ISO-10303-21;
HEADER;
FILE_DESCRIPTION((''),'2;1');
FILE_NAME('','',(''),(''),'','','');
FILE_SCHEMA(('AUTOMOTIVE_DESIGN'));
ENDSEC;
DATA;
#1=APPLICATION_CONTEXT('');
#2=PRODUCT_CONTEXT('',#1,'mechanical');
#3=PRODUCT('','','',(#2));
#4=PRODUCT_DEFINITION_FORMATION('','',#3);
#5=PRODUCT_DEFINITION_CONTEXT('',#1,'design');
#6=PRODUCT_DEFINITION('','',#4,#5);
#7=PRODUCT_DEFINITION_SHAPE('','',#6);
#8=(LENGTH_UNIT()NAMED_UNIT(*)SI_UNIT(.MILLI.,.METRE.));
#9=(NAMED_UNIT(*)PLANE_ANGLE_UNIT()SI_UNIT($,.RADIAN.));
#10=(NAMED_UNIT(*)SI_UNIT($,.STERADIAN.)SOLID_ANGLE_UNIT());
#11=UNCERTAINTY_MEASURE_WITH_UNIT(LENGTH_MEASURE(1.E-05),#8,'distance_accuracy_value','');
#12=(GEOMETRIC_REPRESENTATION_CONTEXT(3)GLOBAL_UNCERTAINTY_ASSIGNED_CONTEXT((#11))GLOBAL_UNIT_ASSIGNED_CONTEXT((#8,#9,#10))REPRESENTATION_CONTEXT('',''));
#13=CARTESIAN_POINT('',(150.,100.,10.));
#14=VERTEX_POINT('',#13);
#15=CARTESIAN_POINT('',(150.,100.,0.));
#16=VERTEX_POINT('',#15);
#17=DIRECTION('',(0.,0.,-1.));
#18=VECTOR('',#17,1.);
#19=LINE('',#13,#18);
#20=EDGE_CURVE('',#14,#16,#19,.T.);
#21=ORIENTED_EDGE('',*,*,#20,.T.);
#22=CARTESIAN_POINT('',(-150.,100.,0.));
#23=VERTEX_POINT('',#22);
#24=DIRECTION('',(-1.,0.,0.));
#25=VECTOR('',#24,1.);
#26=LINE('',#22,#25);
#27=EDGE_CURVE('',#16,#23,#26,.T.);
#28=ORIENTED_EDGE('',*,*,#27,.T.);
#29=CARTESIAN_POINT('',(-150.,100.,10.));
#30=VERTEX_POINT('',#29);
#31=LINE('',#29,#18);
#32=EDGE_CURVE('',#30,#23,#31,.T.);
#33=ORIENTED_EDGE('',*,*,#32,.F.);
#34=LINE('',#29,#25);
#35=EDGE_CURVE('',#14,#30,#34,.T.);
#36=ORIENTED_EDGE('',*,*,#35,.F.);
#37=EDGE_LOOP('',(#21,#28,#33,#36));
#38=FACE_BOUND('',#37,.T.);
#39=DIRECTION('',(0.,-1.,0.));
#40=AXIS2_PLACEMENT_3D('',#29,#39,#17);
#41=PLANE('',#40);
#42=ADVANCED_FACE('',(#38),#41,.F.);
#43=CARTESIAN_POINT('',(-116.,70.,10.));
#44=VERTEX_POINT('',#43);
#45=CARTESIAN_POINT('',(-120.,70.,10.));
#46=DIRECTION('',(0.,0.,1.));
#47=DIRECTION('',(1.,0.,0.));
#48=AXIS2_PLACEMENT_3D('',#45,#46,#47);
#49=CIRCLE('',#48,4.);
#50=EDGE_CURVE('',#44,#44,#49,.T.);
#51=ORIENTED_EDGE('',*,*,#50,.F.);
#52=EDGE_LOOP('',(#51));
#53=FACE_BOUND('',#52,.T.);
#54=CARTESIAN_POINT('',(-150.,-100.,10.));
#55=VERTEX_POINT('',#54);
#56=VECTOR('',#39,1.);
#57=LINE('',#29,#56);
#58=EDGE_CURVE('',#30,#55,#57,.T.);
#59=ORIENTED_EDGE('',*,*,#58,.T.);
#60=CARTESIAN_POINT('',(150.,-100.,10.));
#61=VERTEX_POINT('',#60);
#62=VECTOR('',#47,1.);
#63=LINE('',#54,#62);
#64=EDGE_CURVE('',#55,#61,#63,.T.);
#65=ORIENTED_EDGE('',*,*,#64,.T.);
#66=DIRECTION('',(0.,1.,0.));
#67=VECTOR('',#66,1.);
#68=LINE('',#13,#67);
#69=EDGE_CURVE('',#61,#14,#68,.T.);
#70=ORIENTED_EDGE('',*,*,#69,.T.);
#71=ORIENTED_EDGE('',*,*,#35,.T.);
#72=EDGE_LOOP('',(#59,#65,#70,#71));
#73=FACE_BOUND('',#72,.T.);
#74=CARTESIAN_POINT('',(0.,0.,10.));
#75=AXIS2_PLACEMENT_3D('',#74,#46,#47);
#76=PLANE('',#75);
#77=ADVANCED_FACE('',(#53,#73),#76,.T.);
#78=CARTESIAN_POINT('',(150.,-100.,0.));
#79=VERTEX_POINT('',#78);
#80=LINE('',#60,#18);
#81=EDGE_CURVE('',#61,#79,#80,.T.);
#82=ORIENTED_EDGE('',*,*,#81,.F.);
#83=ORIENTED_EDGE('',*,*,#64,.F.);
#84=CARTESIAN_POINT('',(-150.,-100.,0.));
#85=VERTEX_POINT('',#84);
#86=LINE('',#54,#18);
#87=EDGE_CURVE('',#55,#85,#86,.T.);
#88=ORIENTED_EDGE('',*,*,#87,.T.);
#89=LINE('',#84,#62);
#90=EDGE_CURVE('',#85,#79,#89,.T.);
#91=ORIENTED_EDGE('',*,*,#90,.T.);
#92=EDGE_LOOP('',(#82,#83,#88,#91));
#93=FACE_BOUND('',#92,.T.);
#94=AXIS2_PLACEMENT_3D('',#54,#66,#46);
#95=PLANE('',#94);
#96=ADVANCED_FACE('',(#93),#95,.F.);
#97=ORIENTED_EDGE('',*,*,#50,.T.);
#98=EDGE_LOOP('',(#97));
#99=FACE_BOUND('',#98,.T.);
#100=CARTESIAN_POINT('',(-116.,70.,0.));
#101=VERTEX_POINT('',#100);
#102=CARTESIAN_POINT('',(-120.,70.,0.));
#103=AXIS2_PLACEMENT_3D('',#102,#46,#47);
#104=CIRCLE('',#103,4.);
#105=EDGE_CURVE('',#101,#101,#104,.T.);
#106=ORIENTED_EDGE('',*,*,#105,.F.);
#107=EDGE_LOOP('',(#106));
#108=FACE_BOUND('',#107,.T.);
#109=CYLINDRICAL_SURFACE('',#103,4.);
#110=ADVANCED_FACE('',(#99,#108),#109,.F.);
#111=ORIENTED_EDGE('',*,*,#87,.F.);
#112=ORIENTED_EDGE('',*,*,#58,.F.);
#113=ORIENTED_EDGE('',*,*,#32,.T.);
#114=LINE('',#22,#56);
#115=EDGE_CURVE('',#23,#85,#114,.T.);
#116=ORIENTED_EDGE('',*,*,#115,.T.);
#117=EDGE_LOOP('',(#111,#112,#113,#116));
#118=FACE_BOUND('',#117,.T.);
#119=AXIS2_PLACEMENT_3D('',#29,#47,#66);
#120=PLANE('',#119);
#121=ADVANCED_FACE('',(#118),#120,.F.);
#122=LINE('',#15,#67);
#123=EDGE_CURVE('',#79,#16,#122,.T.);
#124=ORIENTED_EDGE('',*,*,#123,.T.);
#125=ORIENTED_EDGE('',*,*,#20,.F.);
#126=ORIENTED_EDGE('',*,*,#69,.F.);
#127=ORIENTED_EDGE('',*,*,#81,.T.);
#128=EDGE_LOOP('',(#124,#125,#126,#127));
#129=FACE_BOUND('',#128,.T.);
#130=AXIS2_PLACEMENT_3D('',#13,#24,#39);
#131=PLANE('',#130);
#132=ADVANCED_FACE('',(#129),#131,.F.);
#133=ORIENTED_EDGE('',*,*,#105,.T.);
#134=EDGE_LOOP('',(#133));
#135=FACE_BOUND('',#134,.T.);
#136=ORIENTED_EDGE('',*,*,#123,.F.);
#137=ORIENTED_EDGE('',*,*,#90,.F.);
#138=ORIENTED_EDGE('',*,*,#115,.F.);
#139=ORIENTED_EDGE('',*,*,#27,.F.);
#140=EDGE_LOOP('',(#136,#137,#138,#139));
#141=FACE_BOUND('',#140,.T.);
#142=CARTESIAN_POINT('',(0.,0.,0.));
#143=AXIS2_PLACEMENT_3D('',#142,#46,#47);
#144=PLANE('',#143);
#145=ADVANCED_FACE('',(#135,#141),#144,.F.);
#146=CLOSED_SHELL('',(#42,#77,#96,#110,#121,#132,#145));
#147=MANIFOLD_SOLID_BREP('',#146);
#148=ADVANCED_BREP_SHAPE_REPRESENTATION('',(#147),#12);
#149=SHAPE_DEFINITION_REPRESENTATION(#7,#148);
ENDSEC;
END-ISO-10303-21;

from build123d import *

# Parameters (mm, degrees)
SKETCH_1_W          = 300
SKETCH_1_H          = 200
EXTRUDE_1_DEPTH     = 10
SKETCH_2_R          = 4
CUT_EXTRUDE_1_DEPTH = 10


with BuildPart() as part:
    # 草图1 → 凸台-拉伸1 (new body)
    with BuildSketch(Plane.XY):
        Rectangle(SKETCH_1_W, SKETCH_1_H)
    extrude(amount=EXTRUDE_1_DEPTH)

    # 草图2 → 切除-拉伸1 (cut)
    with BuildSketch(Plane.XY.offset(10)):
        with Locations((-120, 70)):
            Circle(SKETCH_2_R)
    extrude(amount=-CUT_EXTRUDE_1_DEPTH, mode=Mode.SUBTRACT)


solid = part.part
